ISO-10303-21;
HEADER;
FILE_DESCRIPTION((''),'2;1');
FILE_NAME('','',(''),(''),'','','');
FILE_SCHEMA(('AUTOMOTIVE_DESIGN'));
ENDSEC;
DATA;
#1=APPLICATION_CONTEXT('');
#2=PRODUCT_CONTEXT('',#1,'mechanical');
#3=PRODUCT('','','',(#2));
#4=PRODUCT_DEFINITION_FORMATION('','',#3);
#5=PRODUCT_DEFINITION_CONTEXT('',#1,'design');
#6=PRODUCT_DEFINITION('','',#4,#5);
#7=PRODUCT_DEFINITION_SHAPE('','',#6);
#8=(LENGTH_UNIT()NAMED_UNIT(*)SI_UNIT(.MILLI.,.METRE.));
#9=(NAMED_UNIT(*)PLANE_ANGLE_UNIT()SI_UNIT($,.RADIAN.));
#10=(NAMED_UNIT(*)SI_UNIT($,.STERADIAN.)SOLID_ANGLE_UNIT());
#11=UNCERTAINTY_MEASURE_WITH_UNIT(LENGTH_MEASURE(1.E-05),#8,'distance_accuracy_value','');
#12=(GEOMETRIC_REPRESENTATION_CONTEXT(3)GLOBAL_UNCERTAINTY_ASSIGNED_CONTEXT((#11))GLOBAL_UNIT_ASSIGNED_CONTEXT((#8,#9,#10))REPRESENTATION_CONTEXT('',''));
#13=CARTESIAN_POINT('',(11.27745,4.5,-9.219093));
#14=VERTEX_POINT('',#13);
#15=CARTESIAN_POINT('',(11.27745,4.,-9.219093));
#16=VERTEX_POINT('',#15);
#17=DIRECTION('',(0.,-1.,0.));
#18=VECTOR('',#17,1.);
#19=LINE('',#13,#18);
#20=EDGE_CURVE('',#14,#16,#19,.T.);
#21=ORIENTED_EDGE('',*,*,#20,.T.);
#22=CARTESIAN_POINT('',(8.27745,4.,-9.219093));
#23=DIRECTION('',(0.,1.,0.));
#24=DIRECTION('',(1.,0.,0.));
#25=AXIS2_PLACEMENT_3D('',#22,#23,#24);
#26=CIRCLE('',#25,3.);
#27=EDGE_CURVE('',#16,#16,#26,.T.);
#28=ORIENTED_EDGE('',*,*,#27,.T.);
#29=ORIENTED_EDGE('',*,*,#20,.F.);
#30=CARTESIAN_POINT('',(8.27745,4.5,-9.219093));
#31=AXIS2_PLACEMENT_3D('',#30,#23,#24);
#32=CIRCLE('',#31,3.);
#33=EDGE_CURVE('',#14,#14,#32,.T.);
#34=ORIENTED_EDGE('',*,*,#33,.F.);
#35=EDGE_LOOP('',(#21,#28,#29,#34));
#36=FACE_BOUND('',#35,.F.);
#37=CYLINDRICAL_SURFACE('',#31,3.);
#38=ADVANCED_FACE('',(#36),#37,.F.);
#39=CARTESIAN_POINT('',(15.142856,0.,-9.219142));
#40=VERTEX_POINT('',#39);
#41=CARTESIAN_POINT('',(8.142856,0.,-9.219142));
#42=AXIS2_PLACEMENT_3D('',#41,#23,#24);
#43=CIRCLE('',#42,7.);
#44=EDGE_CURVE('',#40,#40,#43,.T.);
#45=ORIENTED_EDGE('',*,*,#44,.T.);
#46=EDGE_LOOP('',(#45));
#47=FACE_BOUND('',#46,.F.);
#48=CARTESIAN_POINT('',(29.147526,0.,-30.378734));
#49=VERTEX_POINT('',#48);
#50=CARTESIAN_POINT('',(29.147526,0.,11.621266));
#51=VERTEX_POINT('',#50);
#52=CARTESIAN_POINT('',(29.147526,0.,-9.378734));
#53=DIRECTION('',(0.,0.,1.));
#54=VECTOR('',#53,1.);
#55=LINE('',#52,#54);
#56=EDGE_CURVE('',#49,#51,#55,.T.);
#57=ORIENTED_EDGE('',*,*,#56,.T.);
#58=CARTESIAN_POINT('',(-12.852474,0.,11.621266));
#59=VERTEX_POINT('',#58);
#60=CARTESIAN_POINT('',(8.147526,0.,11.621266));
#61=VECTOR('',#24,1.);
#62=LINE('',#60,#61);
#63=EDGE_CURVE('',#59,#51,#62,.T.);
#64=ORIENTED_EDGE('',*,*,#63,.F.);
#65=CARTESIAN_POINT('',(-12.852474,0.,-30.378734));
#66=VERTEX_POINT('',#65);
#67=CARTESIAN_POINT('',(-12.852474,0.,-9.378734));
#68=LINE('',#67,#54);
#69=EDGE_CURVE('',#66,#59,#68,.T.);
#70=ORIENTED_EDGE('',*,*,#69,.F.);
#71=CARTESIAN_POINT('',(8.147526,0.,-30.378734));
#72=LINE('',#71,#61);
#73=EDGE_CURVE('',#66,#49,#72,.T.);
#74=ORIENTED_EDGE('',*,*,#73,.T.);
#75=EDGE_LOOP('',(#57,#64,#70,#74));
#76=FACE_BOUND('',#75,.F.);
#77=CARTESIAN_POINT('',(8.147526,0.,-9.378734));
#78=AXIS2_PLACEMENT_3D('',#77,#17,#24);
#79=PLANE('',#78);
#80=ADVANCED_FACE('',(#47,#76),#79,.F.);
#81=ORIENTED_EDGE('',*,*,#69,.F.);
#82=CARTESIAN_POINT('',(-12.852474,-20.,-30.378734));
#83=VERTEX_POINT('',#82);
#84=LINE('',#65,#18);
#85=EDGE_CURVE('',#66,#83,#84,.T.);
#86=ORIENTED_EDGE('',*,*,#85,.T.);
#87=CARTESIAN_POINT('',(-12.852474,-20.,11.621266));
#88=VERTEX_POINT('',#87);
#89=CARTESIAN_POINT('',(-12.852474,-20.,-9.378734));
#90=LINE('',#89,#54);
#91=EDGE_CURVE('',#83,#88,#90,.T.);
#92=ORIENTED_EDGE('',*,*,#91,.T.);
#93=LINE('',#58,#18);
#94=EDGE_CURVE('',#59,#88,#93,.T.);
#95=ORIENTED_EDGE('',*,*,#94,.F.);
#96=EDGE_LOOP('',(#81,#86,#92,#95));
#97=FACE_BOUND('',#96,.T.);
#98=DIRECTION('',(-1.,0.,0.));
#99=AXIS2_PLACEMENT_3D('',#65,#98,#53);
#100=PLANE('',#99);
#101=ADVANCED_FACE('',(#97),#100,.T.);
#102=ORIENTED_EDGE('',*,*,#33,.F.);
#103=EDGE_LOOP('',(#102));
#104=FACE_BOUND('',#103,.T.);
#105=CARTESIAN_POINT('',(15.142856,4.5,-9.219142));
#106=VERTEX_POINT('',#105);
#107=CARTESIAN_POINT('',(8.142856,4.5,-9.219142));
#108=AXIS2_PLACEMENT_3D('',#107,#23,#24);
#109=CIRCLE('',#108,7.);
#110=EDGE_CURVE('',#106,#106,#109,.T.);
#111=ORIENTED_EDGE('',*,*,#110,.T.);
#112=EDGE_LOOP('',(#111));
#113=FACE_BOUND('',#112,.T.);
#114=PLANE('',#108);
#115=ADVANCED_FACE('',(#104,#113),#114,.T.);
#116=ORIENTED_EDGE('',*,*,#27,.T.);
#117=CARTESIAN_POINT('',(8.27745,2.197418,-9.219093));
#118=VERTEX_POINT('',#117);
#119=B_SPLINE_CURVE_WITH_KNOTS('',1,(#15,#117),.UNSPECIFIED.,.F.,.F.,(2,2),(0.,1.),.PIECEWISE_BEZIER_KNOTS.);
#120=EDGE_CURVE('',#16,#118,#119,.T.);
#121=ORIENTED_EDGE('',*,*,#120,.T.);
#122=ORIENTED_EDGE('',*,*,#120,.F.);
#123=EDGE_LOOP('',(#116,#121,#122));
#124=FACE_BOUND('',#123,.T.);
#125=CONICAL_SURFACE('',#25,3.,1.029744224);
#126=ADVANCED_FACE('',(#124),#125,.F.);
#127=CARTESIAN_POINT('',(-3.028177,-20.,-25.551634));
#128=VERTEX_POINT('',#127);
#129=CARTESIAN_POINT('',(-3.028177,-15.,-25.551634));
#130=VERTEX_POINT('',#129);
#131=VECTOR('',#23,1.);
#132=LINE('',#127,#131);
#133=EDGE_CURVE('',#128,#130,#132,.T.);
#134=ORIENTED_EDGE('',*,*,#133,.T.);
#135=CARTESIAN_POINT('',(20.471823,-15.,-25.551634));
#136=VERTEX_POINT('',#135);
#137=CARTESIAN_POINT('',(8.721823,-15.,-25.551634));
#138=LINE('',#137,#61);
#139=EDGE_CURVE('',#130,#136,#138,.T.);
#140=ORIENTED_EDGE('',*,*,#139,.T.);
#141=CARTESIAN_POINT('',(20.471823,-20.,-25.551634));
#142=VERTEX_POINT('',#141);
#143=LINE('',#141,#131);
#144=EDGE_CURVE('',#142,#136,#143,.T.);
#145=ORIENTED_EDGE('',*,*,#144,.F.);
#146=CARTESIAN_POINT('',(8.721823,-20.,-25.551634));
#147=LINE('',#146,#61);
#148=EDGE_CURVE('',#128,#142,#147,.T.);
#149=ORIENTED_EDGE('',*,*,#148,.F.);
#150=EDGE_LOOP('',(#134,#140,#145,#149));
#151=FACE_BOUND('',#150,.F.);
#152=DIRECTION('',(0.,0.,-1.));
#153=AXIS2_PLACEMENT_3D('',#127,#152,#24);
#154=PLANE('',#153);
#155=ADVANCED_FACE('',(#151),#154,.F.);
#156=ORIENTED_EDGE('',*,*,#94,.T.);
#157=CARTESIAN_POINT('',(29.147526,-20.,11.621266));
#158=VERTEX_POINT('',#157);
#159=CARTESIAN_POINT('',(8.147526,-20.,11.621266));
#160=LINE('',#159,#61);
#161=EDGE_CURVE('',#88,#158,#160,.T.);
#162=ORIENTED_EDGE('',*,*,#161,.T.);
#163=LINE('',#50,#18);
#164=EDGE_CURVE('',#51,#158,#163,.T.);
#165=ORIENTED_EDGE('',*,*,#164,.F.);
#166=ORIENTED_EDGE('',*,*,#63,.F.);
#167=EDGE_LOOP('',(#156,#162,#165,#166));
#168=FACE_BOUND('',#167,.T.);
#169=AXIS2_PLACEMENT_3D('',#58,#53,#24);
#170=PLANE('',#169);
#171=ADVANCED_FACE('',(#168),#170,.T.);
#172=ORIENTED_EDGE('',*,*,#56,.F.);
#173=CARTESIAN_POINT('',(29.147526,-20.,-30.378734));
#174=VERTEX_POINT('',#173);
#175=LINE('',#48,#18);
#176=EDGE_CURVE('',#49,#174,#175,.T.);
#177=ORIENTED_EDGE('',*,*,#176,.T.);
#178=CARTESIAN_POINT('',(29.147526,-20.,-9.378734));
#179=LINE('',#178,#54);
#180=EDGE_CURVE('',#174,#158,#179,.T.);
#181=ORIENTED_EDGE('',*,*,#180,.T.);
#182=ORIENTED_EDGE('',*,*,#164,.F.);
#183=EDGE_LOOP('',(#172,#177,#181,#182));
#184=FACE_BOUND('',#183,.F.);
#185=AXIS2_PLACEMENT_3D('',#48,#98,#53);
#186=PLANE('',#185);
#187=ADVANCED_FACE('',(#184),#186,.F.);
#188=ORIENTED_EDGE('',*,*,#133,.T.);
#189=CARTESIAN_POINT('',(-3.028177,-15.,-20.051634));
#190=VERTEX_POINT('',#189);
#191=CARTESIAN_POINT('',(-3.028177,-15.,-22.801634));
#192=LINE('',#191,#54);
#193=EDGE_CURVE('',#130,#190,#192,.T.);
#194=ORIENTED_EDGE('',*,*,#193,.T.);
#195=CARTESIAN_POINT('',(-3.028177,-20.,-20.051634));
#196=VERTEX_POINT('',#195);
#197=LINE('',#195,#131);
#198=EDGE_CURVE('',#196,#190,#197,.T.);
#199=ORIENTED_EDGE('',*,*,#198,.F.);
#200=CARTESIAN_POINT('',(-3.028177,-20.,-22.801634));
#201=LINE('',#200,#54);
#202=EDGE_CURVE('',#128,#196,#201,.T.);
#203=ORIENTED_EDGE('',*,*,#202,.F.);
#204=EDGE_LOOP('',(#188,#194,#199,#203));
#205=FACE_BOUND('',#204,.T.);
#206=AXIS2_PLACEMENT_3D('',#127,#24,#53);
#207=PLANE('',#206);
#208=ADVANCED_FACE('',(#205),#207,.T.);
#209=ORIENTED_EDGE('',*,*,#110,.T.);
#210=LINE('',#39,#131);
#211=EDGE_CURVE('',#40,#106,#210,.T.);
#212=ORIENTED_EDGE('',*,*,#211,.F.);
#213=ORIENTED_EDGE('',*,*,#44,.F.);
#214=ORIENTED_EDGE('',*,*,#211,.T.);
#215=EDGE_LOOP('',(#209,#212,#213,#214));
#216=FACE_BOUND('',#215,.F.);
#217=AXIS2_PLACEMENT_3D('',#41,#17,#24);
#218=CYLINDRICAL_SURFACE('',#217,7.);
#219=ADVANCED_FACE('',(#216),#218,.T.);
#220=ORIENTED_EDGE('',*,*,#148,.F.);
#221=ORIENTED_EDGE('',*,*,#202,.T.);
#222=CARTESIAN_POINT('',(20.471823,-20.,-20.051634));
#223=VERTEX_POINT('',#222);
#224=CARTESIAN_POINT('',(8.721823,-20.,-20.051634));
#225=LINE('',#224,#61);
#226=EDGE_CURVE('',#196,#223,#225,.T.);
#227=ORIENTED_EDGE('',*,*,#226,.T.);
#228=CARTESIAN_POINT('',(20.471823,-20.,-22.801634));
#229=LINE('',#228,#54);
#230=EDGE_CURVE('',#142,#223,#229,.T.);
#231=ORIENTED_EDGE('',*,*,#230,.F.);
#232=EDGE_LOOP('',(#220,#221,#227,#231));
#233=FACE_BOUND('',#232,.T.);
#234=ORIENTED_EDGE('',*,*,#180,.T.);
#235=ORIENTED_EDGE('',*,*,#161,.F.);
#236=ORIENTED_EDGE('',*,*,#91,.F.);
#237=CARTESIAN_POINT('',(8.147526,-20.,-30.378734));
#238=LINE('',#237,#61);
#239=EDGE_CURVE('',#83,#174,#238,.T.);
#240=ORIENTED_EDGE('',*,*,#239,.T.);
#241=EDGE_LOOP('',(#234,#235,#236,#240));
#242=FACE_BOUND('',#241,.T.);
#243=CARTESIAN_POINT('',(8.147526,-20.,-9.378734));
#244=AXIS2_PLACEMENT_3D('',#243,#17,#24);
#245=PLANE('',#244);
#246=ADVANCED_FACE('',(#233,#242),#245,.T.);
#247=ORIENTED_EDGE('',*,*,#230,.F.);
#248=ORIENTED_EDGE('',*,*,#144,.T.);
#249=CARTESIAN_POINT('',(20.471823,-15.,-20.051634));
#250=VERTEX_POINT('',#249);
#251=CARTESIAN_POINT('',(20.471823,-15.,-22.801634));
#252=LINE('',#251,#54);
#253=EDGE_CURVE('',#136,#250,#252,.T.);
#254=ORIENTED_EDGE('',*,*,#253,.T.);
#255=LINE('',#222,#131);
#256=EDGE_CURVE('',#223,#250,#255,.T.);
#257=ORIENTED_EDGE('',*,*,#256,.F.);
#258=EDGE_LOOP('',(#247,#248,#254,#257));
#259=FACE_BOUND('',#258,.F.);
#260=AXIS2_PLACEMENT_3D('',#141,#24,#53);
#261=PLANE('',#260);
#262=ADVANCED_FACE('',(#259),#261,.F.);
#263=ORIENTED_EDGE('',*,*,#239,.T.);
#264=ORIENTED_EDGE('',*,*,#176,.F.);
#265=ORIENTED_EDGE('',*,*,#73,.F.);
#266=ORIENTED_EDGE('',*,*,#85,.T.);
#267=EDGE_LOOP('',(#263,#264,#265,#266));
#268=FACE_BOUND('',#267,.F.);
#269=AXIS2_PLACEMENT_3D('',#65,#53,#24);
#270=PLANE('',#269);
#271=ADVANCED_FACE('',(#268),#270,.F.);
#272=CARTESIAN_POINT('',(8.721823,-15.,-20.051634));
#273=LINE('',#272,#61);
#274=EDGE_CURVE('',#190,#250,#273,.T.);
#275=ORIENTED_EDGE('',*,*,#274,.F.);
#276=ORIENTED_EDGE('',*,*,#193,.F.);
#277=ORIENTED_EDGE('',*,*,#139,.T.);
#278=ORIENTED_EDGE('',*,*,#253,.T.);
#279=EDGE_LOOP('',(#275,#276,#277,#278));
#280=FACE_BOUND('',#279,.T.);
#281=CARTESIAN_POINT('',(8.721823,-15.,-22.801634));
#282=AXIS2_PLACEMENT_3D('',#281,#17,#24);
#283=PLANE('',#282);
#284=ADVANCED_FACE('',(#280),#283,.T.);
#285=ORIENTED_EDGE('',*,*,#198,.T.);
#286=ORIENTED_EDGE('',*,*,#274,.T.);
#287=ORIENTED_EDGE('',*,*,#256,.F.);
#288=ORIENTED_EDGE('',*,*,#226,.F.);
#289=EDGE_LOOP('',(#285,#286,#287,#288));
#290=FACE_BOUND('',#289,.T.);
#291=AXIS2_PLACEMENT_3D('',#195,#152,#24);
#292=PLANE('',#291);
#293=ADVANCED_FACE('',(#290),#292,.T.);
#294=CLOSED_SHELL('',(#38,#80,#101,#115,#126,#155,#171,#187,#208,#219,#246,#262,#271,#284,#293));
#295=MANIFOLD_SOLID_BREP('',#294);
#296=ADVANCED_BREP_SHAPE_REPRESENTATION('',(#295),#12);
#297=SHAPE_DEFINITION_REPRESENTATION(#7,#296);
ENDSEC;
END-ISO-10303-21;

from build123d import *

# Parameters (mm, degrees)
SKETCH_W     = 42
SKETCH_H     = 42
PAD_DEPTH    = 20
SKETCH001_R  = 7
PAD001_DEPTH = 4.5
SKETCH002_R  = 3
HOLE_DEPTH   = 0.5
HOLE_TIPS_R  = 3
SKETCH003_W  = 23.5
SKETCH003_H  = 5.5
POCKET_DEPTH = 5


with BuildPart() as part:
    # Sketch → Pad (new body)
    with BuildSketch(Plane.XZ):
        with Locations((8.147526, -9.378734)):
            Rectangle(SKETCH_W, SKETCH_H)
    extrude(amount=PAD_DEPTH)

    # Sketch001 (on Face5 of Pad) → Pad001 (join)
    with BuildSketch(Plane(origin=(0, 0, 0), x_dir=(1, 0, 0), z_dir=(0, 1, 0))):
        with Locations((8.142856, 9.219142)):
            Circle(SKETCH001_R)
    extrude(amount=PAD001_DEPTH)

    # Sketch002 (on Face8 of Pad001) → Hole (cut)
    with BuildSketch(Plane(origin=(0, 4.5, 0), x_dir=(1, 0, 0), z_dir=(0, 1, 0))):
        with Locations((8.27745, 9.219093)):
            Circle(SKETCH002_R)
    extrude(amount=-HOLE_DEPTH, mode=Mode.SUBTRACT)

    # Hole tips → Hole tip 1 section 0
    with BuildSketch(Plane(origin=(0, 4, 0), x_dir=(1, 0, 0), z_dir=(0, 1, 0)), mode=Mode.PRIVATE) as hole_tip_1_s0:
        with Locations((8.27745, 9.219093)):
            Circle(HOLE_TIPS_R)
    loft([hole_tip_1_s0.sketch, Vertex(8.27745, 2.197418, -9.219093)], mode=Mode.SUBTRACT)

    # Sketch003 (on Face5 of Hole) → Pocket (cut)
    with BuildSketch(Plane.XZ.offset(20)):
        with Locations((8.721823, -22.801634)):
            Rectangle(SKETCH003_W, SKETCH003_H)
    extrude(amount=-POCKET_DEPTH, mode=Mode.SUBTRACT)


solid = part.part
